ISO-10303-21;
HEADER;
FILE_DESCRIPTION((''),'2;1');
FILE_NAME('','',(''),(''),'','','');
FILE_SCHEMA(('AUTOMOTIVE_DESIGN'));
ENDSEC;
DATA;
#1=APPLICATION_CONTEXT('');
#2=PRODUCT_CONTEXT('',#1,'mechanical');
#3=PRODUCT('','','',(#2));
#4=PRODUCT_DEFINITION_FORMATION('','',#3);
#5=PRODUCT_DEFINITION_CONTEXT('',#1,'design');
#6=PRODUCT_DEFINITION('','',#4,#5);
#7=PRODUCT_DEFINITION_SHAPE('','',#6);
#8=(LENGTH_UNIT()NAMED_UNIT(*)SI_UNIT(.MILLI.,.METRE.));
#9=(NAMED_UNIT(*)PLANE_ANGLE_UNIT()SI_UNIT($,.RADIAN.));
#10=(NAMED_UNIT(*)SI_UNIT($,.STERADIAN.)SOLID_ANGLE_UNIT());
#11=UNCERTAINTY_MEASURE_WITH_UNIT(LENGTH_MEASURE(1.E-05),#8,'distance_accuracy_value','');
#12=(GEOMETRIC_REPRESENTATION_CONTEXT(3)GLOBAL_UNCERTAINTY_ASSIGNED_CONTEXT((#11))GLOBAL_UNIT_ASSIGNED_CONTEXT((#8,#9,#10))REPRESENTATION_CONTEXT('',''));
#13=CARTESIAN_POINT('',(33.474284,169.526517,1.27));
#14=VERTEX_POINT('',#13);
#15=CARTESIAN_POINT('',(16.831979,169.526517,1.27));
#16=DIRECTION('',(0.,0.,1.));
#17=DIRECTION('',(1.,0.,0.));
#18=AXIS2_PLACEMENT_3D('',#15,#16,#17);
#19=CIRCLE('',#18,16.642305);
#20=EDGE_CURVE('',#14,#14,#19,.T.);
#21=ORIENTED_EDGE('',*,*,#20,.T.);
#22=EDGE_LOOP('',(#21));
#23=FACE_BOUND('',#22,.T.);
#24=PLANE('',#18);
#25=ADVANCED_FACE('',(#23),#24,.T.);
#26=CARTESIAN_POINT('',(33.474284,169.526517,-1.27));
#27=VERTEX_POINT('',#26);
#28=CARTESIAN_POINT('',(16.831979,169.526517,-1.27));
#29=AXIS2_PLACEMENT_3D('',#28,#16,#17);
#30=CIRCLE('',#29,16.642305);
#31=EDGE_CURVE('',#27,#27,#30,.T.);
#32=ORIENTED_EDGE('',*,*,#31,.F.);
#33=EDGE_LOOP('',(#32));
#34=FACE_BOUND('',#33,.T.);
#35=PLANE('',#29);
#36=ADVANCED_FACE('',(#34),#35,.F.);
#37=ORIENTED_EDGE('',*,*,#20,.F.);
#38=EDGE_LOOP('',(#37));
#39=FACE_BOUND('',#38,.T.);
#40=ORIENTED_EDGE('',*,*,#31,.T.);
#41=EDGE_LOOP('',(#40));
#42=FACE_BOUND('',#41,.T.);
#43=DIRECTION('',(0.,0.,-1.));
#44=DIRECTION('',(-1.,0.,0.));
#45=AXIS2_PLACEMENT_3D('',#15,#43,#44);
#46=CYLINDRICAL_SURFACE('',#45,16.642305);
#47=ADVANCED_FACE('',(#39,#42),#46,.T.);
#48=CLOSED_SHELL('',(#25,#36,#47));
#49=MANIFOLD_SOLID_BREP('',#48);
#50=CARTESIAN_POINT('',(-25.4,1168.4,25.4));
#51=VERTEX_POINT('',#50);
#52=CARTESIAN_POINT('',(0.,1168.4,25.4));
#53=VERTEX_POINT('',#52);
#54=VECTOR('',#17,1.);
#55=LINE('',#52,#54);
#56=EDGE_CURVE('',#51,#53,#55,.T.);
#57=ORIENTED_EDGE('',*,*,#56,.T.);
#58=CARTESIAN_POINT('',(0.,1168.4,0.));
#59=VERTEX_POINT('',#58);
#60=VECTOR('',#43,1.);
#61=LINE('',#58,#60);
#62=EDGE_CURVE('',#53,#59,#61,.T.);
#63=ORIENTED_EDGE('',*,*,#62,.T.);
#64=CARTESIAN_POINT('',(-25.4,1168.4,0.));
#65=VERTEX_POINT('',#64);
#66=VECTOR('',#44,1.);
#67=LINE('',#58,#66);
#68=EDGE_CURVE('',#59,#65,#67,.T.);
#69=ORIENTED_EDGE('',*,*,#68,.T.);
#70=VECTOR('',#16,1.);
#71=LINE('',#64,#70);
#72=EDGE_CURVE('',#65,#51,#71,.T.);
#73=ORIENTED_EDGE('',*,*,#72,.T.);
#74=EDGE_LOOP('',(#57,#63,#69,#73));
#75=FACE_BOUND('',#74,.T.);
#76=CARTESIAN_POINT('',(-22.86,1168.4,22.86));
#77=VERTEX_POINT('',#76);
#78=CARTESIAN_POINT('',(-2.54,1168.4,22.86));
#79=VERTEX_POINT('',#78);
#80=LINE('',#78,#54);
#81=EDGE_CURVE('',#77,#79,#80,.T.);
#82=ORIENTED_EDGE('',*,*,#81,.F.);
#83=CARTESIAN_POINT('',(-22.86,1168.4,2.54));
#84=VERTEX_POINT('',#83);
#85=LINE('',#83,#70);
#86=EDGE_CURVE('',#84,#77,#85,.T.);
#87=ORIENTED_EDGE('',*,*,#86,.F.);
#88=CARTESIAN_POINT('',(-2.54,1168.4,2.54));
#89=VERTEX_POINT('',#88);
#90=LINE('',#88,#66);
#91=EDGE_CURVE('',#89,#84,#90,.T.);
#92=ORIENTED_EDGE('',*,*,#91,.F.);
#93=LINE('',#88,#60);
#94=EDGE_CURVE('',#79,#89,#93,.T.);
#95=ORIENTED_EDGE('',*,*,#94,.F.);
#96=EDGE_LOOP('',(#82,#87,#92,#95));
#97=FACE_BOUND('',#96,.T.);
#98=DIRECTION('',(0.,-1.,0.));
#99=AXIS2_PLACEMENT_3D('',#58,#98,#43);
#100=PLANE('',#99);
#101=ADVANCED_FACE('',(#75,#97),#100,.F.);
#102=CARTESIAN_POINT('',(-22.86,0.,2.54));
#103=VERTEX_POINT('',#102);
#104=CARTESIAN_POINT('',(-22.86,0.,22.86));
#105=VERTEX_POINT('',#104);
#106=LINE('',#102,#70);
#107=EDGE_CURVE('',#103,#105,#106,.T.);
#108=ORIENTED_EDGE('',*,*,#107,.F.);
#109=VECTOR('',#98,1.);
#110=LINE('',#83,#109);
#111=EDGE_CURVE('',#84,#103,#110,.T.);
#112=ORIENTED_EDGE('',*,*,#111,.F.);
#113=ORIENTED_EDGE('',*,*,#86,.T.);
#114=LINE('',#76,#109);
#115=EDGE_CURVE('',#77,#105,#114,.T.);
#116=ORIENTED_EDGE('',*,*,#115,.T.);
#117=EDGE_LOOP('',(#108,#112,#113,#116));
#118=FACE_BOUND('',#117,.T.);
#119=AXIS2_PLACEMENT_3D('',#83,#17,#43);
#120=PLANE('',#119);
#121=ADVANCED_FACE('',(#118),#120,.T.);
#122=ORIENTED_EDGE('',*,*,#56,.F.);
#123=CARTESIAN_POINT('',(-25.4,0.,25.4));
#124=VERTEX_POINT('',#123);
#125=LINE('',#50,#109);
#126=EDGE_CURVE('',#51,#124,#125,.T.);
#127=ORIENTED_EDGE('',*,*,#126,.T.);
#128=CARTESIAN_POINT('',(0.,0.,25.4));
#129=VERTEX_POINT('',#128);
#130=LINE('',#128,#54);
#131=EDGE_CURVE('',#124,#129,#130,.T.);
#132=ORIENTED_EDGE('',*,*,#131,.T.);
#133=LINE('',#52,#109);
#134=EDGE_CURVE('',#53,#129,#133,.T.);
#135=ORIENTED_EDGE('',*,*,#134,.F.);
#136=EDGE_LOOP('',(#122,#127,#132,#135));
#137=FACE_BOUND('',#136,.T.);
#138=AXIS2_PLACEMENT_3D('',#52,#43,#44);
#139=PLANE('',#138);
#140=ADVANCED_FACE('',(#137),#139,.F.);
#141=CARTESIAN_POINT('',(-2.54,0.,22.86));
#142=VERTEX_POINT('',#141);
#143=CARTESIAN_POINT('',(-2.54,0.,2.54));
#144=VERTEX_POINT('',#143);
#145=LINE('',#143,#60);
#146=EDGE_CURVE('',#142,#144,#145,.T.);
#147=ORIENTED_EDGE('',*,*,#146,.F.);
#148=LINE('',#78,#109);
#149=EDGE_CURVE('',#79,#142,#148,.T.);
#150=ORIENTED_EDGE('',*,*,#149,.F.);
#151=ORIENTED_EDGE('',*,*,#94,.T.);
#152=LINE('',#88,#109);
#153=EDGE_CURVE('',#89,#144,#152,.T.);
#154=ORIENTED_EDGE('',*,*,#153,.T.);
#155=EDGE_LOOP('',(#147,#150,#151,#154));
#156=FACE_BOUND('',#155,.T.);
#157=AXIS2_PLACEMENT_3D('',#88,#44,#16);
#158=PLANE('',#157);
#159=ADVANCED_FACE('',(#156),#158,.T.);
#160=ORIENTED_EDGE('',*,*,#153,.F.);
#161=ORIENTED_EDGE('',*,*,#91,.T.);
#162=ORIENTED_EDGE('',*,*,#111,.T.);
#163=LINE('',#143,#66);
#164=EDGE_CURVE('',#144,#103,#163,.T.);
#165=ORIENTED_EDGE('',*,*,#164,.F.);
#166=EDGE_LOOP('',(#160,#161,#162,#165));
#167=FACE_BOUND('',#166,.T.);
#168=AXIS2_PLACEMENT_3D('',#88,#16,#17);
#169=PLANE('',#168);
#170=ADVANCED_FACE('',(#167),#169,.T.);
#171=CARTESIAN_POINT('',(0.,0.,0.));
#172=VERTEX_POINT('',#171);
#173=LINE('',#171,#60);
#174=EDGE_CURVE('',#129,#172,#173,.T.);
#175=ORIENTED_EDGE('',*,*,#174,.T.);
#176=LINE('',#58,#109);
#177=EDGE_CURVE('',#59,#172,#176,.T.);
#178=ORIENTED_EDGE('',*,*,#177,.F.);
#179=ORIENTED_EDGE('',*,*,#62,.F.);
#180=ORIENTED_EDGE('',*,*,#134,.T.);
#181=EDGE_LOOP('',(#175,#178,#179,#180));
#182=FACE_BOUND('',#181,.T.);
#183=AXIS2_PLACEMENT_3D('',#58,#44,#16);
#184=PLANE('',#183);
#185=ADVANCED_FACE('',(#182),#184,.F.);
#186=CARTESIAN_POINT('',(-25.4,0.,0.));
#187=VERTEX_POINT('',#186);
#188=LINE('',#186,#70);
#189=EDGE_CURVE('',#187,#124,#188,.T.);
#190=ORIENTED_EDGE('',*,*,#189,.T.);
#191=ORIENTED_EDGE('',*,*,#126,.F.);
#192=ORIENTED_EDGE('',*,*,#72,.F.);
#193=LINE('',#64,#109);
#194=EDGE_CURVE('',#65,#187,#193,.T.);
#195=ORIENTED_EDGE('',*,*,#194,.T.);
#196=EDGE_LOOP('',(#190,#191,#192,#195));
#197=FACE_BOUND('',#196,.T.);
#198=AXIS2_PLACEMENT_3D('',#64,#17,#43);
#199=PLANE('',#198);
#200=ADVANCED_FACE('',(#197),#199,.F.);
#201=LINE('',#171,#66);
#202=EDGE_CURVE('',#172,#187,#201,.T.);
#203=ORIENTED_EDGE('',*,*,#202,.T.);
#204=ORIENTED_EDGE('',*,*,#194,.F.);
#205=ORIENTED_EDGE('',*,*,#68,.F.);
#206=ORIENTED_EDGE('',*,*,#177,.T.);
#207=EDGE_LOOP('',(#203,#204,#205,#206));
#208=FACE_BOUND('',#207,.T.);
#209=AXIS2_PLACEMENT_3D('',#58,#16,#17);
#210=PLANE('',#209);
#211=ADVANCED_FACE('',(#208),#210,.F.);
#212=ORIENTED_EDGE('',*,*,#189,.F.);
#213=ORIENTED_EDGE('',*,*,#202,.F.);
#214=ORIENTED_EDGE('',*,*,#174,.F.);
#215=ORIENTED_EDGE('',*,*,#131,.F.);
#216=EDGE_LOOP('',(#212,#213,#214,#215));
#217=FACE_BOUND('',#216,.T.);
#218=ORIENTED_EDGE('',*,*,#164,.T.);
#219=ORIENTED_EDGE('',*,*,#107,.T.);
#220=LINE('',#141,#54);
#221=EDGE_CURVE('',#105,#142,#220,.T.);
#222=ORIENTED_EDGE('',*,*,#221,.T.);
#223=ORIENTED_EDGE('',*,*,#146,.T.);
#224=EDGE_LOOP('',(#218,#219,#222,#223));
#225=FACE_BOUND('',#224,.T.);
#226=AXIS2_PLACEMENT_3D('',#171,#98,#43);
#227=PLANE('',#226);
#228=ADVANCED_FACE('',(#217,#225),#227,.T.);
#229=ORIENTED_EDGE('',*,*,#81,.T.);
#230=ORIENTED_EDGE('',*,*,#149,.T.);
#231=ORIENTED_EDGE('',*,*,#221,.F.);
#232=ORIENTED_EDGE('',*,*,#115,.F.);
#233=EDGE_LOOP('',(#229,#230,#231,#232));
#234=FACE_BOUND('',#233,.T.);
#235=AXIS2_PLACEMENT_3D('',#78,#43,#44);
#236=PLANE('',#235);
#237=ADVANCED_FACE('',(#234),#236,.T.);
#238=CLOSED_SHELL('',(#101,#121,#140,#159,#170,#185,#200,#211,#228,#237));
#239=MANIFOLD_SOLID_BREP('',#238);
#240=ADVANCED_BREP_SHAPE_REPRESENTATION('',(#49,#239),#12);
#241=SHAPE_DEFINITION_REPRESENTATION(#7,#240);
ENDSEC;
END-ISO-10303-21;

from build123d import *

# Parameters (mm, degrees)
SKETCH1_W                 = 25.4
SKETCH1_H                 = 25.4
SKETCH1_W_2               = 20.32
SKETCH1_H_2               = 20.32
EXTRUSION_1X1X0_1_1_DEPTH = 1168.4
SKETCH3_R                 = 16.642304713
BOSS_EXTRUDE1_DEPTH       = 1.27


with BuildPart() as part:
    # Sketch1 → Extrusion 1X1X0.1(1) (new body)
    with BuildSketch(Plane(origin=(0, 0, 0), x_dir=(-1, 0, 0), z_dir=(0, 1, 0))):
        with Locations((12.7, 12.7)):
            Rectangle(SKETCH1_W, SKETCH1_H)
        with Locations((12.7, 12.7)):
            Rectangle(SKETCH1_W_2, SKETCH1_H_2, mode=Mode.SUBTRACT)
    extrude(amount=EXTRUSION_1X1X0_1_1_DEPTH)


with BuildPart() as body_2:
    # Sketch3 → Boss-Extrude1 (new, symmetric)
    with BuildSketch(Plane(origin=(0, -24.723733652, 0), x_dir=(1, 0, 0), z_dir=(0, 0, 1))):
        with Locations((16.831979456, 194.250250367)):
            Circle(SKETCH3_R)
    extrude(amount=BOSS_EXTRUDE1_DEPTH, both=True)


solid = Compound([part.part, body_2.part])
